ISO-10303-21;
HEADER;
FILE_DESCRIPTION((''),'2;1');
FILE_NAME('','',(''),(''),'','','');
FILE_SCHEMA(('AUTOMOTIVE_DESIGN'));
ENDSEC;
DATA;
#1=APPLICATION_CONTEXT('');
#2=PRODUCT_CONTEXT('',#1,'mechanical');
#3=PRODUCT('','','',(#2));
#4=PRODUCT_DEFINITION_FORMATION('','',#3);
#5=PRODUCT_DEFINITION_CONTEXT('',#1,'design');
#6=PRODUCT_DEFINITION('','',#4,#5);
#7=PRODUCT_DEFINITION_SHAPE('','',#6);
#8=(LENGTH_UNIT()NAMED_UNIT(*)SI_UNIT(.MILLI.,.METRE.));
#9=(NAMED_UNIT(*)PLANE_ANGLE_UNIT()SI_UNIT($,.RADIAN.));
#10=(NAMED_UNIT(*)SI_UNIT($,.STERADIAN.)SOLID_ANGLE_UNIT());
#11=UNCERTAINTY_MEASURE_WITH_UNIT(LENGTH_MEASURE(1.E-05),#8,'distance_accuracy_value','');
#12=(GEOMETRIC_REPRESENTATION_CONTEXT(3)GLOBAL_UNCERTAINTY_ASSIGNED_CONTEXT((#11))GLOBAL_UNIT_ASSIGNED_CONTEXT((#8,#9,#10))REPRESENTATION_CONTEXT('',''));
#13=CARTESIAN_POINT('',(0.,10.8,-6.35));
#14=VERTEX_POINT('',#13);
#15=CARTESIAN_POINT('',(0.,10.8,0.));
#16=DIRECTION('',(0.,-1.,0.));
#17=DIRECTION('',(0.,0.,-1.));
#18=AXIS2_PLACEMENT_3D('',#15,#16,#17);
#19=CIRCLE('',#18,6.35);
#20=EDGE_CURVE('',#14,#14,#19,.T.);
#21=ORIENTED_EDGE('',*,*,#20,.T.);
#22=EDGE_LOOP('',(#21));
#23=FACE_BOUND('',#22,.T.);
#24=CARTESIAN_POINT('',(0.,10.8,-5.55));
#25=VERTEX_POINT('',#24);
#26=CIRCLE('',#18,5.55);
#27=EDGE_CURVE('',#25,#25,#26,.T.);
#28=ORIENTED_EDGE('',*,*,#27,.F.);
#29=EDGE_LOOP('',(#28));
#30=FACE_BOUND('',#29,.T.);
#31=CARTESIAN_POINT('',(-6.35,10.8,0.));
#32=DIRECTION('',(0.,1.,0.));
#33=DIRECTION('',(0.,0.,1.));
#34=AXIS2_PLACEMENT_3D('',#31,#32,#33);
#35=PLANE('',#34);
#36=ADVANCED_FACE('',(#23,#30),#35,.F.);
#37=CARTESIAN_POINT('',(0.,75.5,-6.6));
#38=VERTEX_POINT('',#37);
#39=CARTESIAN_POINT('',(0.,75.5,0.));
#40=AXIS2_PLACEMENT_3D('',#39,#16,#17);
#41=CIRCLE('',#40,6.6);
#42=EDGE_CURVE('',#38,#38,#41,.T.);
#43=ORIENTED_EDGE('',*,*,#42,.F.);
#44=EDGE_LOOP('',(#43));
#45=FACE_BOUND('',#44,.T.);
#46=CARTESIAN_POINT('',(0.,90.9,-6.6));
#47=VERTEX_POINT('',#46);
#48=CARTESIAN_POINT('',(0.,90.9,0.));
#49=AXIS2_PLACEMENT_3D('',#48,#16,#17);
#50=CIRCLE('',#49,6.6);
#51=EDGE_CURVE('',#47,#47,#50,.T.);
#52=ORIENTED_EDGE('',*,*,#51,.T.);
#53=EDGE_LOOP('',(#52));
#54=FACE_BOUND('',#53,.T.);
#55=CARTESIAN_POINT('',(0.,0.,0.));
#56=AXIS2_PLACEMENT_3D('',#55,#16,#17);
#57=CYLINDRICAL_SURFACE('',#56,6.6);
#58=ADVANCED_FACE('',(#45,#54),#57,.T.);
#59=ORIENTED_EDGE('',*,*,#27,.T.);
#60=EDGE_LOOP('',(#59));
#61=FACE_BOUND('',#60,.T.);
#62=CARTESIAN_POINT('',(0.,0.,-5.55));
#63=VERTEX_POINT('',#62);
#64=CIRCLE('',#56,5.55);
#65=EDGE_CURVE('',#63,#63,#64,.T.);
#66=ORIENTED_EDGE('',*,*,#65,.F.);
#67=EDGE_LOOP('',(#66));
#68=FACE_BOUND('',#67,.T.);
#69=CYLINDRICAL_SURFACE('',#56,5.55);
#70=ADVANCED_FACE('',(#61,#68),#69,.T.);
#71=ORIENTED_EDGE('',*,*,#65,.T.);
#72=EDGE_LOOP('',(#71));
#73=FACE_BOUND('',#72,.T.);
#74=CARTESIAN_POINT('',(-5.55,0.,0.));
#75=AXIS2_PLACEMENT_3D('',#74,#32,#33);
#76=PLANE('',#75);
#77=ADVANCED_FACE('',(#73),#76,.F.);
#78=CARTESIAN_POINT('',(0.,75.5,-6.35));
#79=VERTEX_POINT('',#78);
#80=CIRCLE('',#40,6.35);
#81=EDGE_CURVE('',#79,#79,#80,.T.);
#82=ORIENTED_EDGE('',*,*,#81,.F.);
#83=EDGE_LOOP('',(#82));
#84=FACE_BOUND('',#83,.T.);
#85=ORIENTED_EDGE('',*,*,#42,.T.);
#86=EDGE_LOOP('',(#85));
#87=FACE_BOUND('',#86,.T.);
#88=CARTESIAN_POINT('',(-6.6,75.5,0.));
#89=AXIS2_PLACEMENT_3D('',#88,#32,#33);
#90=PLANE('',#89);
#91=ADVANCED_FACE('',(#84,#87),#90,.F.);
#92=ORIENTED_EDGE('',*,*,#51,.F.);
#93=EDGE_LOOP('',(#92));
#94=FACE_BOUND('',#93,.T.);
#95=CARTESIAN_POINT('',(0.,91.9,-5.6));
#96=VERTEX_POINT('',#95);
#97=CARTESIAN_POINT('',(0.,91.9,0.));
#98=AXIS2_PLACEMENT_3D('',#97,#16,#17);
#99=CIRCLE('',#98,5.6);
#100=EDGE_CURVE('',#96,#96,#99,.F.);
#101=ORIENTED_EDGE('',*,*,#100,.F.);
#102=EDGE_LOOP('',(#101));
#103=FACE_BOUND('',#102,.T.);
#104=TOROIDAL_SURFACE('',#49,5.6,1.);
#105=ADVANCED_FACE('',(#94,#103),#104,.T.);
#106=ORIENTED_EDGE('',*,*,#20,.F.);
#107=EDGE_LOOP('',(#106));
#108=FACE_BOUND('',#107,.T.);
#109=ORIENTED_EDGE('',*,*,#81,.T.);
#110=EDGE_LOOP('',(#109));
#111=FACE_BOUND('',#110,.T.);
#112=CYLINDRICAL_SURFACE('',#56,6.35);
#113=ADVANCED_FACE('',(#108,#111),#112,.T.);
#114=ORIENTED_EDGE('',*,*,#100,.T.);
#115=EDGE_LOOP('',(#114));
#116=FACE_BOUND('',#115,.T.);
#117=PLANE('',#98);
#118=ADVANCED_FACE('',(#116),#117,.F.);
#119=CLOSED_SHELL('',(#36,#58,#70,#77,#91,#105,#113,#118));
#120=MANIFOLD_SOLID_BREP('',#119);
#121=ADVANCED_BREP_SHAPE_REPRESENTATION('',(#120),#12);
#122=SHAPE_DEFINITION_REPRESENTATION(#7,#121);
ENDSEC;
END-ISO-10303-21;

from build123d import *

# Parameters (mm, degrees)
FILLET1_R = 1


with BuildPart() as part:
    # Sketch2 → Revolve1 (revolve)
    with BuildSketch(Plane.XY, mode=Mode.PRIVATE) as revolve1_sk:
        Polygon((0, 0), (0, 91.9), (-6.6, 91.9), (-6.6, 75.5), (-6.35, 75.5), (-6.35, 10.8), (-5.55, 10.8), (-5.55, 0), align=None)
    revolve(revolve1_sk.sketch.rotate(Axis((0, 0, 0), (0, 1, 0)), 270), axis=Axis((0, 0, 0), (0, 1, 0)))

    # Fillet1
    fillet1_edges = [part.edges().sort_by_distance(p)[0] for p in [
        (0, 91.9, 6.6),
    ]]
    fillet(fillet1_edges, radius=FILLET1_R)


solid = part.part
